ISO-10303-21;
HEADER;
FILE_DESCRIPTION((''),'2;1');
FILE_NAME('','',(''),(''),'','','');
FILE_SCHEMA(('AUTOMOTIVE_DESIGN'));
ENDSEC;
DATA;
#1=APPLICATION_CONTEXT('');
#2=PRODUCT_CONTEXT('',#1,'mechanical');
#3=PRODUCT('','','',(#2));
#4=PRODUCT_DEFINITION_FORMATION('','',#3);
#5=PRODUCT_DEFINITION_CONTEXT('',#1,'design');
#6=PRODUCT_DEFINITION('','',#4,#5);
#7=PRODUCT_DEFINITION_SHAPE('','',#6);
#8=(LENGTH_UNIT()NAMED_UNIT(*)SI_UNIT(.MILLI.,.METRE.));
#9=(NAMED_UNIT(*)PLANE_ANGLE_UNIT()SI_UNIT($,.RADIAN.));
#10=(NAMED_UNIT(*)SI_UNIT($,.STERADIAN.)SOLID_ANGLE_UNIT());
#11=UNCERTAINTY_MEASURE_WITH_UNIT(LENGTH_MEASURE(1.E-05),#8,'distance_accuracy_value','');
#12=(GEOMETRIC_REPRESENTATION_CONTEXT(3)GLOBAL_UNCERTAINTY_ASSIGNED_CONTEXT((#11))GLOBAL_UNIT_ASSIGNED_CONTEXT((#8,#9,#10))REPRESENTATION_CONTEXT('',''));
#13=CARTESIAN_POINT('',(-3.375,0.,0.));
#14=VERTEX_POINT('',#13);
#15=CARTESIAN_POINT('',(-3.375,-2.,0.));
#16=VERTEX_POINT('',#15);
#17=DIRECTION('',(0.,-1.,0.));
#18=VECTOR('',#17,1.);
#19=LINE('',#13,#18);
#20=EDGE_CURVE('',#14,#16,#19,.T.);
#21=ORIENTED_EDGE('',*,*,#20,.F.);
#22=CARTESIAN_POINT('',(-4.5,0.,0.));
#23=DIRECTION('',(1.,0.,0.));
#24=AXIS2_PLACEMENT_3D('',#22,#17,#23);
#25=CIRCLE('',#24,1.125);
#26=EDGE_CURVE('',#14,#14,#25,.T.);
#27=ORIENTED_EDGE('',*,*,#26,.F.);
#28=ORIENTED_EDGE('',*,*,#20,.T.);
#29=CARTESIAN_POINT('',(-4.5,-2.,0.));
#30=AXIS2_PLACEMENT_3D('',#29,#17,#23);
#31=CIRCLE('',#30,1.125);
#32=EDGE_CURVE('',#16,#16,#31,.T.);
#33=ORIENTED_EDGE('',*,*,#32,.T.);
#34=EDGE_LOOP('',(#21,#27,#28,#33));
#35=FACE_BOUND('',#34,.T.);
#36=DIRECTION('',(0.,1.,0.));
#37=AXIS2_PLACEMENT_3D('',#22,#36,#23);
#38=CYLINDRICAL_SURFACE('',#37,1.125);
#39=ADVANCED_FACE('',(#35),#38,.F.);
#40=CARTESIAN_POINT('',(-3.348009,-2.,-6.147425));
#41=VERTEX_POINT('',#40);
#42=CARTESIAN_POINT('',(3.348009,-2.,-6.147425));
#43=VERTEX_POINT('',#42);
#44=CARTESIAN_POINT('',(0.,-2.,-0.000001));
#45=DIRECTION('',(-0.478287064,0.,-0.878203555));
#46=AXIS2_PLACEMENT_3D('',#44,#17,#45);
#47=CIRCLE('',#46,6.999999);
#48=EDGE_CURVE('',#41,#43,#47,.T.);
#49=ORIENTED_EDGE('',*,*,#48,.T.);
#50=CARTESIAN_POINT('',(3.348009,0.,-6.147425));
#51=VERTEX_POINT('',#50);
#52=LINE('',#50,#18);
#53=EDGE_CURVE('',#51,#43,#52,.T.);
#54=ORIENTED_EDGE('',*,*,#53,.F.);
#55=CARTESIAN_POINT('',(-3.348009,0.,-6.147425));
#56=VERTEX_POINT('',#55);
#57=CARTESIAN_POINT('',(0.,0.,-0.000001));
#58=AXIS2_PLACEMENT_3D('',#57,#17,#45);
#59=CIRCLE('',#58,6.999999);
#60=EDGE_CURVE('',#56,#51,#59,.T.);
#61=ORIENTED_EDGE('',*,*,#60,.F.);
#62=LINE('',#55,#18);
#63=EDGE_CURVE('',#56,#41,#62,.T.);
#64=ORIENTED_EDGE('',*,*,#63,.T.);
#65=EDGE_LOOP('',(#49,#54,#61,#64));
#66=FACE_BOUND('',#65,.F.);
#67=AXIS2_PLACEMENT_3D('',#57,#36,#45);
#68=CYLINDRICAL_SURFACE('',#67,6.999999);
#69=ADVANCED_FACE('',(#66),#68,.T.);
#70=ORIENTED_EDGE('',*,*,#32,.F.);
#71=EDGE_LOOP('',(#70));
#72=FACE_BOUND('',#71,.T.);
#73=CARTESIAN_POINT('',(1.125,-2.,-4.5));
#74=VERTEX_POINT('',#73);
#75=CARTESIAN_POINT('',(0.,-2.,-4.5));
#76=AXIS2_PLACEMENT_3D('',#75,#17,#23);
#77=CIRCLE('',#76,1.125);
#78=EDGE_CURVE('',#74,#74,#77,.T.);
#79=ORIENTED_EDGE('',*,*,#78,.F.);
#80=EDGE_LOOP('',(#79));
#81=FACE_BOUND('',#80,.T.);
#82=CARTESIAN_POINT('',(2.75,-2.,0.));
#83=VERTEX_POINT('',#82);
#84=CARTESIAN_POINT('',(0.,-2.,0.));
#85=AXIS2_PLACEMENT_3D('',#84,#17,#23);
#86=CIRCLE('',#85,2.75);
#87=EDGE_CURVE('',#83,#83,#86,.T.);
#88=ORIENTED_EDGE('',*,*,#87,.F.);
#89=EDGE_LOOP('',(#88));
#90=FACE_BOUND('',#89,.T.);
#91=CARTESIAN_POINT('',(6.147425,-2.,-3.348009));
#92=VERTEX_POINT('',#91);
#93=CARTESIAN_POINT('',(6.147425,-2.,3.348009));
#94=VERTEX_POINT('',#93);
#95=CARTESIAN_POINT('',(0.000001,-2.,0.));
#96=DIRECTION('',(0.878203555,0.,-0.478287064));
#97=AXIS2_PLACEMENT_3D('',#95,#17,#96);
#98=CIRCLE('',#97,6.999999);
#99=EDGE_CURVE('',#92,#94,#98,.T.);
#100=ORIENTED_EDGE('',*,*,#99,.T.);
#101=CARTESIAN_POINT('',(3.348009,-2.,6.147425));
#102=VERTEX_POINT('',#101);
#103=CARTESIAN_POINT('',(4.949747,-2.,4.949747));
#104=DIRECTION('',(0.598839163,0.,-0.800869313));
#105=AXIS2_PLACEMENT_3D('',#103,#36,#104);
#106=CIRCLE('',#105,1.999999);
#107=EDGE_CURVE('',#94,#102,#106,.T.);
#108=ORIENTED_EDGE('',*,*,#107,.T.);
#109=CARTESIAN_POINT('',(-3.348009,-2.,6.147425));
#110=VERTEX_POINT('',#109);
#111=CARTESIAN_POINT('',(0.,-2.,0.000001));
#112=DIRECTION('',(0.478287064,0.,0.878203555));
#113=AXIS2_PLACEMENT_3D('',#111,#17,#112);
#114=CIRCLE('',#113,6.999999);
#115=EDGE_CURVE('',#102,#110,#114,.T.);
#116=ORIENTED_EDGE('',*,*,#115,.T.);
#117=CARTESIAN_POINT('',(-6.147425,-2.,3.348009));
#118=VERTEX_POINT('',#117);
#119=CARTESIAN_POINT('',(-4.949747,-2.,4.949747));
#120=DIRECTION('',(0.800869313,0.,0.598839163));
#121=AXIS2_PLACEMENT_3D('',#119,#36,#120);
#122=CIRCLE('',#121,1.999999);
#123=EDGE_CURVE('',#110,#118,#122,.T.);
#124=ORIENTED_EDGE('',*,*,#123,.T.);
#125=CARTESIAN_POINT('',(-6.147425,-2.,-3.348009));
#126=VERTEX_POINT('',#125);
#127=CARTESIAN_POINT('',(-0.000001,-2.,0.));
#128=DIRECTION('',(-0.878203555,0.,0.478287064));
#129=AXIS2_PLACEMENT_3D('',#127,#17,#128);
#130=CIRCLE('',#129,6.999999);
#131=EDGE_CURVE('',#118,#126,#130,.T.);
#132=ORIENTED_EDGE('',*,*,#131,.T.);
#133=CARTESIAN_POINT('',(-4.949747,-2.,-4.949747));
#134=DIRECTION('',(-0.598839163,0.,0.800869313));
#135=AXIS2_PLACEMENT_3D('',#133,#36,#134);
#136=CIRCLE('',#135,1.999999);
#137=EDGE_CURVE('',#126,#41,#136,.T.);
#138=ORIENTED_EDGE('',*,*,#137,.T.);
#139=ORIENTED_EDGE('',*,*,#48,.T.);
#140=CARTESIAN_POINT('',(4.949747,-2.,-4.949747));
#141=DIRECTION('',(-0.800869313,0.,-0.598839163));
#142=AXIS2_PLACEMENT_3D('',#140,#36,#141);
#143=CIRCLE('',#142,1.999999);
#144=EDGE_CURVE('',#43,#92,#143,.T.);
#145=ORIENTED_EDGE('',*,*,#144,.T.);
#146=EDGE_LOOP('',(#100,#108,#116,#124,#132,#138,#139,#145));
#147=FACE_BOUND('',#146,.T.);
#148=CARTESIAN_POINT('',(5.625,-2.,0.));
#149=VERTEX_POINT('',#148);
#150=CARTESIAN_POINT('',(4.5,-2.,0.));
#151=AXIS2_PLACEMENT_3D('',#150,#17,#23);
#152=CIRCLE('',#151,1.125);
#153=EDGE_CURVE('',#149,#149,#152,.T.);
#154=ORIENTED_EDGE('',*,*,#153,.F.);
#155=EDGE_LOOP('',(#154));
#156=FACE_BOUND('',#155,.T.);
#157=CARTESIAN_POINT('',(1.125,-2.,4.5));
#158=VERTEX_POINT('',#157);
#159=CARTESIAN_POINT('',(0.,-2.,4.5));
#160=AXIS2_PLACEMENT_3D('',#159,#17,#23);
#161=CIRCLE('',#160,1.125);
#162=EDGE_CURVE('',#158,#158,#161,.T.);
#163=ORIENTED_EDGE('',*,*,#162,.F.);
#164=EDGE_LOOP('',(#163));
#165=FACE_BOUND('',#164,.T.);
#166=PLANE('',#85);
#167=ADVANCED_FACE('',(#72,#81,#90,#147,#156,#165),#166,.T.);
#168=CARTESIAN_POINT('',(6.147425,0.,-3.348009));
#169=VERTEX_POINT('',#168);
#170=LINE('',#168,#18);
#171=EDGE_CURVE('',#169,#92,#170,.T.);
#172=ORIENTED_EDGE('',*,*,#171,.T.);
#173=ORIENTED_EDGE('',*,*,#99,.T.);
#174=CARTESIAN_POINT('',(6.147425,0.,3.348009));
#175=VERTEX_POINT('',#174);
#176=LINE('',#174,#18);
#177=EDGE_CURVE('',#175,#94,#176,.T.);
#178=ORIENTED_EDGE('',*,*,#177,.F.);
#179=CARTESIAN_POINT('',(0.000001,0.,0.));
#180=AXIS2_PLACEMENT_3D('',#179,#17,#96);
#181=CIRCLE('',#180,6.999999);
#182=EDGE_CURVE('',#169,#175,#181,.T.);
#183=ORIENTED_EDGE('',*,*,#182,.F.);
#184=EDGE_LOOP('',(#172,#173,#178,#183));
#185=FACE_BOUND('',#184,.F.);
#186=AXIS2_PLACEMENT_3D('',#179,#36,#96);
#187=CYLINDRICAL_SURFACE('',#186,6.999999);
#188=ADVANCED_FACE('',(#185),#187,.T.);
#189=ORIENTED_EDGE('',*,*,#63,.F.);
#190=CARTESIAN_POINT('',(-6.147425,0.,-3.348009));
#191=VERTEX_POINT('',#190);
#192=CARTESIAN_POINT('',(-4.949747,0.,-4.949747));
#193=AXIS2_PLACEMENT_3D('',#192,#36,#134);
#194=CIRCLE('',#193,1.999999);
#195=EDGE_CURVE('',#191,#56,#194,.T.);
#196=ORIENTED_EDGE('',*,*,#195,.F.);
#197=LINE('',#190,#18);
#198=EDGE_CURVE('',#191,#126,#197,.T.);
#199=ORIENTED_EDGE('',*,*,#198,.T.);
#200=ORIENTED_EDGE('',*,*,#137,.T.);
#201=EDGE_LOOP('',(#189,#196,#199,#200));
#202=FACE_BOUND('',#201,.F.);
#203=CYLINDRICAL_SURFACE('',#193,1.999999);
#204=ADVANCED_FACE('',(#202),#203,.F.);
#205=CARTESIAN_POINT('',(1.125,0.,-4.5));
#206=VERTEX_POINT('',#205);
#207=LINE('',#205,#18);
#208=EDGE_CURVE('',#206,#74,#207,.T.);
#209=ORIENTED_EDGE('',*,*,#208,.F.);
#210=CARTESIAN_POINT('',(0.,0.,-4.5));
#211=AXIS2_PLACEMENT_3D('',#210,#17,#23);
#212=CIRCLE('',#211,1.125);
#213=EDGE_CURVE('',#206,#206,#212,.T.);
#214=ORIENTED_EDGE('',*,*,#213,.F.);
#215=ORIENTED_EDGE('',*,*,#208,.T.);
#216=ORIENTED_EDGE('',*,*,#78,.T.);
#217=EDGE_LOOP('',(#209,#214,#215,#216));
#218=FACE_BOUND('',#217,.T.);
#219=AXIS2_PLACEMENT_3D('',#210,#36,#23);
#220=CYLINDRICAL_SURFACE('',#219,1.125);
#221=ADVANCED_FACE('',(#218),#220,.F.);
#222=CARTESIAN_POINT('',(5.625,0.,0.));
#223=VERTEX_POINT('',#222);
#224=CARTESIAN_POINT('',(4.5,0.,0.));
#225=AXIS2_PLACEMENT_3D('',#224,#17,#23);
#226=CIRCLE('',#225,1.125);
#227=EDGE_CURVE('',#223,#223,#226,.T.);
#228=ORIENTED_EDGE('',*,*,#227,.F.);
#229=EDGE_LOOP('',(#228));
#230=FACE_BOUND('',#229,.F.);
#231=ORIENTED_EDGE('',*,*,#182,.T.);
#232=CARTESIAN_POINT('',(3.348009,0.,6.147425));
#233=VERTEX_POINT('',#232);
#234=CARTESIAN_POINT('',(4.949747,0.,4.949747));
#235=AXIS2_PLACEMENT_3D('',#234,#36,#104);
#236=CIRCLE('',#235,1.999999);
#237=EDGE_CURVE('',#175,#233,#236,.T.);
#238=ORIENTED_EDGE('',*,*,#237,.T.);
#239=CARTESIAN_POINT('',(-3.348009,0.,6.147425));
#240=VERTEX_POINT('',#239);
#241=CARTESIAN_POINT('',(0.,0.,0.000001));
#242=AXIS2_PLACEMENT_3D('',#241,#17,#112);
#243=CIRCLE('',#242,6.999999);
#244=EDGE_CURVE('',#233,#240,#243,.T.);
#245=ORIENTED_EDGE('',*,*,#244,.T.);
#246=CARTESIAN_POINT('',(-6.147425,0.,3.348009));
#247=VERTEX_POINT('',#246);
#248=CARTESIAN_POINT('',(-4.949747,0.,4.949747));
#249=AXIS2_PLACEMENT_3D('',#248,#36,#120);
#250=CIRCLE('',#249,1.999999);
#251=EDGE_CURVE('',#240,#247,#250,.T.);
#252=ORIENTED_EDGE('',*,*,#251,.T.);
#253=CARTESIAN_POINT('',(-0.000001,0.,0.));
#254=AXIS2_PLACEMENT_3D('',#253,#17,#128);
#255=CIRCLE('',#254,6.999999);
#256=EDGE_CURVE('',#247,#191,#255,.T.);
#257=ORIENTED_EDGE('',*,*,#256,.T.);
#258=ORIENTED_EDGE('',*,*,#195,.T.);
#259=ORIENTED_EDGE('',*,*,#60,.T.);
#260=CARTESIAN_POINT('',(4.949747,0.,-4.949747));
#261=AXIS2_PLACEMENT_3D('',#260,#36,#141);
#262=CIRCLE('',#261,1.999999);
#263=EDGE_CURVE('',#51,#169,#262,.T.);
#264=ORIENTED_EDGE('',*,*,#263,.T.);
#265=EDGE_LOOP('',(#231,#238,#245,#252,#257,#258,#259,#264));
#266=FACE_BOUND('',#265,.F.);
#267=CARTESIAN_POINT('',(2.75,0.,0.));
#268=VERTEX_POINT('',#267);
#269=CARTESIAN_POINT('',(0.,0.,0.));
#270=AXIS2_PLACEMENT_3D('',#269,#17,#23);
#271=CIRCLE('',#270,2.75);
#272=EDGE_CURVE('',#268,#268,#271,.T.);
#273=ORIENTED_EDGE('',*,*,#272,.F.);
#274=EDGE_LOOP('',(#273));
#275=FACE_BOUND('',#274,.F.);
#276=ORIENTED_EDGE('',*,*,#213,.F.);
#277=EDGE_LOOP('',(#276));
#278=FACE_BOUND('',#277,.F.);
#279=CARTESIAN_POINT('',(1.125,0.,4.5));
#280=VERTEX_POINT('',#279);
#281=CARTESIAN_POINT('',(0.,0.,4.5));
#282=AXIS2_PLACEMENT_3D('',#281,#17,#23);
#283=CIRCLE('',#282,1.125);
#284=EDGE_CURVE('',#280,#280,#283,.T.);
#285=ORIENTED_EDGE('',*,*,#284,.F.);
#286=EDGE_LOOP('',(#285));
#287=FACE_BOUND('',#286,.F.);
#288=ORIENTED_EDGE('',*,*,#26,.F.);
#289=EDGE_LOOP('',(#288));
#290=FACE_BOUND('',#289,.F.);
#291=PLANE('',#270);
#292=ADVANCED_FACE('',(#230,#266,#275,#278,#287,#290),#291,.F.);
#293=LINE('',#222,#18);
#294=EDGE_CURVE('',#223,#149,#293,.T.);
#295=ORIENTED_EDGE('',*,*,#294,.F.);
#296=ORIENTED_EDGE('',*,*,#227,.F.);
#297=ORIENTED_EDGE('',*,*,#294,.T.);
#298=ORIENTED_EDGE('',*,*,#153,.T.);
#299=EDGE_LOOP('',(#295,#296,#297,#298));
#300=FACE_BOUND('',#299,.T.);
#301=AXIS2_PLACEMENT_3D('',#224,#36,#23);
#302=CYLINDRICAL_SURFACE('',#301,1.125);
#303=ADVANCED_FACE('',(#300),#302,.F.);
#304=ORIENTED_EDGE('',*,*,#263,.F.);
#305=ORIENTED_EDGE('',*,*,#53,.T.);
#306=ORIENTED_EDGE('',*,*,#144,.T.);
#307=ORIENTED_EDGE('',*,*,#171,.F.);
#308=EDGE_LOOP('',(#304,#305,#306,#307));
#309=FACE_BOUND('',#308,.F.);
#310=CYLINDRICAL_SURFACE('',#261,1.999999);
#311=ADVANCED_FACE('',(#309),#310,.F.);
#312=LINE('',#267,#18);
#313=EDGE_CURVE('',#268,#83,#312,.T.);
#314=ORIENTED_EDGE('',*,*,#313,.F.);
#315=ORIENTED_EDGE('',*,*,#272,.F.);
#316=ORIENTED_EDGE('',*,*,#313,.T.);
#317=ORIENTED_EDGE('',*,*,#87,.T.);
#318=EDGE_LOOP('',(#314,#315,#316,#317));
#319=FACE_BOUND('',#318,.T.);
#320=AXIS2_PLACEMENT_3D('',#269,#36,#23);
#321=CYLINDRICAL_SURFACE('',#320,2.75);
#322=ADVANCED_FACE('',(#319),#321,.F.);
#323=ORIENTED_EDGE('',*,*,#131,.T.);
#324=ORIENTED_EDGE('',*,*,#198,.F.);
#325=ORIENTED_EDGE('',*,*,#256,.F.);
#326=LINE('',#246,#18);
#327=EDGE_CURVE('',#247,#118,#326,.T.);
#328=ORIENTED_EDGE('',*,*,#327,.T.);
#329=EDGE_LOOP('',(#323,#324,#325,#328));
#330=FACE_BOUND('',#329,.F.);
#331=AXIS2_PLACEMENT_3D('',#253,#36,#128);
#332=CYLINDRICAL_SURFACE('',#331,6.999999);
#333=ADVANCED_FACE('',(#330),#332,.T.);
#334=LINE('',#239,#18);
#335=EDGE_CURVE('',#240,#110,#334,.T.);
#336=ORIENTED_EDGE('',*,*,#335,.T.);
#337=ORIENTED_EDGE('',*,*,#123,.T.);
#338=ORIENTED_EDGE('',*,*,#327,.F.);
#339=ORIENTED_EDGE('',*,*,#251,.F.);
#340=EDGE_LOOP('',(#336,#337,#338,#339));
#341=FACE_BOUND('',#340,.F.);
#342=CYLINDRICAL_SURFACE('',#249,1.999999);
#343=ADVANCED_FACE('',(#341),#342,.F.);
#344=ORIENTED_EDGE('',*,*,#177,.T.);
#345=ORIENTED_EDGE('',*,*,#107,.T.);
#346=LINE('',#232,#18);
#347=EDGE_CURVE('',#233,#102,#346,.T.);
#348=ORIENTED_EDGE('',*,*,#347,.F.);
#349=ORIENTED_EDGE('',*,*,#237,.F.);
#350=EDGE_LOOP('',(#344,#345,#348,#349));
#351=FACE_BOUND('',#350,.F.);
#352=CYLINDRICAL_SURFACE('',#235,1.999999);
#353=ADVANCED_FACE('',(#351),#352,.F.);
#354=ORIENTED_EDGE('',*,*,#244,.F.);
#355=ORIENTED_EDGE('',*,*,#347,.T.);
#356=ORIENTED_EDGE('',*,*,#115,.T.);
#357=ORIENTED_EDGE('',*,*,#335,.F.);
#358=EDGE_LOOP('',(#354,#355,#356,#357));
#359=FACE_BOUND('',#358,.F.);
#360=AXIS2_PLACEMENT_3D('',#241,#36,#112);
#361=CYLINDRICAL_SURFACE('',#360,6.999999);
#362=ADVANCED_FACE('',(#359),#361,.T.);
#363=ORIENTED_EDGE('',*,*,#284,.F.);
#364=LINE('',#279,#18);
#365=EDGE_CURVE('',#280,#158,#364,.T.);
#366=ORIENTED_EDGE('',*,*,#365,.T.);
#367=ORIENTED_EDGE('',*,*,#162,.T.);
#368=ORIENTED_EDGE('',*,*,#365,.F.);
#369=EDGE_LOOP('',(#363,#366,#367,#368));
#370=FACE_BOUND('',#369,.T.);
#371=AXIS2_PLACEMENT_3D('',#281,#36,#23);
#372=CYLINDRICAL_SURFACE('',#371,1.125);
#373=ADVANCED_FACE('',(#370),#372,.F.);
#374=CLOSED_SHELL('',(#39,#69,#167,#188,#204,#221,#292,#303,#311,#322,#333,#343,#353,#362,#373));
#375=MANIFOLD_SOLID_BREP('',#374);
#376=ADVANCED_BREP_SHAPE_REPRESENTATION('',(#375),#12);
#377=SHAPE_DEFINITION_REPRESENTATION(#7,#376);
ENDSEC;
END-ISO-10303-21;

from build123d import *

# Parameters (mm, degrees)
F0_R     = 1.125
F0_R_2   = 2.75
F1_DEPTH = 2


with BuildPart() as f1:
    # F0 (on Front) → F1 (new body)
    with BuildSketch(Plane.XZ):
        with BuildLine():
            ThreePointArc((-6.147425, -3.348009), (-3.535534, -3.535534), (-3.348009, -6.147425))
            ThreePointArc((-3.348009, -6.147425), (0, -7), (3.348009, -6.147425))
            ThreePointArc((3.348009, -6.147425), (3.535534, -3.535534), (6.147425, -3.348009))
            ThreePointArc((6.147425, -3.348009), (7, 0), (6.147425, 3.348009))
            ThreePointArc((6.147425, 3.348009), (3.535534, 3.535534), (3.348009, 6.147425))
            ThreePointArc((3.348009, 6.147425), (0, 7), (-3.348009, 6.147425))
            ThreePointArc((-3.348009, 6.147425), (-3.535534, 3.535534), (-6.147425, 3.348009))
            ThreePointArc((-6.147425, 3.348009), (-7, 0), (-6.147425, -3.348009))
        make_face()
        with Locations((0, -4.5)):
            Circle(F0_R, mode=Mode.SUBTRACT)
        with Locations((-4.5, 0)):
            Circle(F0_R, mode=Mode.SUBTRACT)
        Circle(F0_R_2, mode=Mode.SUBTRACT)
        with Locations((4.5, 0)):
            Circle(F0_R, mode=Mode.SUBTRACT)
        with Locations((0, 4.5)):
            Circle(F0_R, mode=Mode.SUBTRACT)
    extrude(amount=F1_DEPTH)


solid = f1.part
